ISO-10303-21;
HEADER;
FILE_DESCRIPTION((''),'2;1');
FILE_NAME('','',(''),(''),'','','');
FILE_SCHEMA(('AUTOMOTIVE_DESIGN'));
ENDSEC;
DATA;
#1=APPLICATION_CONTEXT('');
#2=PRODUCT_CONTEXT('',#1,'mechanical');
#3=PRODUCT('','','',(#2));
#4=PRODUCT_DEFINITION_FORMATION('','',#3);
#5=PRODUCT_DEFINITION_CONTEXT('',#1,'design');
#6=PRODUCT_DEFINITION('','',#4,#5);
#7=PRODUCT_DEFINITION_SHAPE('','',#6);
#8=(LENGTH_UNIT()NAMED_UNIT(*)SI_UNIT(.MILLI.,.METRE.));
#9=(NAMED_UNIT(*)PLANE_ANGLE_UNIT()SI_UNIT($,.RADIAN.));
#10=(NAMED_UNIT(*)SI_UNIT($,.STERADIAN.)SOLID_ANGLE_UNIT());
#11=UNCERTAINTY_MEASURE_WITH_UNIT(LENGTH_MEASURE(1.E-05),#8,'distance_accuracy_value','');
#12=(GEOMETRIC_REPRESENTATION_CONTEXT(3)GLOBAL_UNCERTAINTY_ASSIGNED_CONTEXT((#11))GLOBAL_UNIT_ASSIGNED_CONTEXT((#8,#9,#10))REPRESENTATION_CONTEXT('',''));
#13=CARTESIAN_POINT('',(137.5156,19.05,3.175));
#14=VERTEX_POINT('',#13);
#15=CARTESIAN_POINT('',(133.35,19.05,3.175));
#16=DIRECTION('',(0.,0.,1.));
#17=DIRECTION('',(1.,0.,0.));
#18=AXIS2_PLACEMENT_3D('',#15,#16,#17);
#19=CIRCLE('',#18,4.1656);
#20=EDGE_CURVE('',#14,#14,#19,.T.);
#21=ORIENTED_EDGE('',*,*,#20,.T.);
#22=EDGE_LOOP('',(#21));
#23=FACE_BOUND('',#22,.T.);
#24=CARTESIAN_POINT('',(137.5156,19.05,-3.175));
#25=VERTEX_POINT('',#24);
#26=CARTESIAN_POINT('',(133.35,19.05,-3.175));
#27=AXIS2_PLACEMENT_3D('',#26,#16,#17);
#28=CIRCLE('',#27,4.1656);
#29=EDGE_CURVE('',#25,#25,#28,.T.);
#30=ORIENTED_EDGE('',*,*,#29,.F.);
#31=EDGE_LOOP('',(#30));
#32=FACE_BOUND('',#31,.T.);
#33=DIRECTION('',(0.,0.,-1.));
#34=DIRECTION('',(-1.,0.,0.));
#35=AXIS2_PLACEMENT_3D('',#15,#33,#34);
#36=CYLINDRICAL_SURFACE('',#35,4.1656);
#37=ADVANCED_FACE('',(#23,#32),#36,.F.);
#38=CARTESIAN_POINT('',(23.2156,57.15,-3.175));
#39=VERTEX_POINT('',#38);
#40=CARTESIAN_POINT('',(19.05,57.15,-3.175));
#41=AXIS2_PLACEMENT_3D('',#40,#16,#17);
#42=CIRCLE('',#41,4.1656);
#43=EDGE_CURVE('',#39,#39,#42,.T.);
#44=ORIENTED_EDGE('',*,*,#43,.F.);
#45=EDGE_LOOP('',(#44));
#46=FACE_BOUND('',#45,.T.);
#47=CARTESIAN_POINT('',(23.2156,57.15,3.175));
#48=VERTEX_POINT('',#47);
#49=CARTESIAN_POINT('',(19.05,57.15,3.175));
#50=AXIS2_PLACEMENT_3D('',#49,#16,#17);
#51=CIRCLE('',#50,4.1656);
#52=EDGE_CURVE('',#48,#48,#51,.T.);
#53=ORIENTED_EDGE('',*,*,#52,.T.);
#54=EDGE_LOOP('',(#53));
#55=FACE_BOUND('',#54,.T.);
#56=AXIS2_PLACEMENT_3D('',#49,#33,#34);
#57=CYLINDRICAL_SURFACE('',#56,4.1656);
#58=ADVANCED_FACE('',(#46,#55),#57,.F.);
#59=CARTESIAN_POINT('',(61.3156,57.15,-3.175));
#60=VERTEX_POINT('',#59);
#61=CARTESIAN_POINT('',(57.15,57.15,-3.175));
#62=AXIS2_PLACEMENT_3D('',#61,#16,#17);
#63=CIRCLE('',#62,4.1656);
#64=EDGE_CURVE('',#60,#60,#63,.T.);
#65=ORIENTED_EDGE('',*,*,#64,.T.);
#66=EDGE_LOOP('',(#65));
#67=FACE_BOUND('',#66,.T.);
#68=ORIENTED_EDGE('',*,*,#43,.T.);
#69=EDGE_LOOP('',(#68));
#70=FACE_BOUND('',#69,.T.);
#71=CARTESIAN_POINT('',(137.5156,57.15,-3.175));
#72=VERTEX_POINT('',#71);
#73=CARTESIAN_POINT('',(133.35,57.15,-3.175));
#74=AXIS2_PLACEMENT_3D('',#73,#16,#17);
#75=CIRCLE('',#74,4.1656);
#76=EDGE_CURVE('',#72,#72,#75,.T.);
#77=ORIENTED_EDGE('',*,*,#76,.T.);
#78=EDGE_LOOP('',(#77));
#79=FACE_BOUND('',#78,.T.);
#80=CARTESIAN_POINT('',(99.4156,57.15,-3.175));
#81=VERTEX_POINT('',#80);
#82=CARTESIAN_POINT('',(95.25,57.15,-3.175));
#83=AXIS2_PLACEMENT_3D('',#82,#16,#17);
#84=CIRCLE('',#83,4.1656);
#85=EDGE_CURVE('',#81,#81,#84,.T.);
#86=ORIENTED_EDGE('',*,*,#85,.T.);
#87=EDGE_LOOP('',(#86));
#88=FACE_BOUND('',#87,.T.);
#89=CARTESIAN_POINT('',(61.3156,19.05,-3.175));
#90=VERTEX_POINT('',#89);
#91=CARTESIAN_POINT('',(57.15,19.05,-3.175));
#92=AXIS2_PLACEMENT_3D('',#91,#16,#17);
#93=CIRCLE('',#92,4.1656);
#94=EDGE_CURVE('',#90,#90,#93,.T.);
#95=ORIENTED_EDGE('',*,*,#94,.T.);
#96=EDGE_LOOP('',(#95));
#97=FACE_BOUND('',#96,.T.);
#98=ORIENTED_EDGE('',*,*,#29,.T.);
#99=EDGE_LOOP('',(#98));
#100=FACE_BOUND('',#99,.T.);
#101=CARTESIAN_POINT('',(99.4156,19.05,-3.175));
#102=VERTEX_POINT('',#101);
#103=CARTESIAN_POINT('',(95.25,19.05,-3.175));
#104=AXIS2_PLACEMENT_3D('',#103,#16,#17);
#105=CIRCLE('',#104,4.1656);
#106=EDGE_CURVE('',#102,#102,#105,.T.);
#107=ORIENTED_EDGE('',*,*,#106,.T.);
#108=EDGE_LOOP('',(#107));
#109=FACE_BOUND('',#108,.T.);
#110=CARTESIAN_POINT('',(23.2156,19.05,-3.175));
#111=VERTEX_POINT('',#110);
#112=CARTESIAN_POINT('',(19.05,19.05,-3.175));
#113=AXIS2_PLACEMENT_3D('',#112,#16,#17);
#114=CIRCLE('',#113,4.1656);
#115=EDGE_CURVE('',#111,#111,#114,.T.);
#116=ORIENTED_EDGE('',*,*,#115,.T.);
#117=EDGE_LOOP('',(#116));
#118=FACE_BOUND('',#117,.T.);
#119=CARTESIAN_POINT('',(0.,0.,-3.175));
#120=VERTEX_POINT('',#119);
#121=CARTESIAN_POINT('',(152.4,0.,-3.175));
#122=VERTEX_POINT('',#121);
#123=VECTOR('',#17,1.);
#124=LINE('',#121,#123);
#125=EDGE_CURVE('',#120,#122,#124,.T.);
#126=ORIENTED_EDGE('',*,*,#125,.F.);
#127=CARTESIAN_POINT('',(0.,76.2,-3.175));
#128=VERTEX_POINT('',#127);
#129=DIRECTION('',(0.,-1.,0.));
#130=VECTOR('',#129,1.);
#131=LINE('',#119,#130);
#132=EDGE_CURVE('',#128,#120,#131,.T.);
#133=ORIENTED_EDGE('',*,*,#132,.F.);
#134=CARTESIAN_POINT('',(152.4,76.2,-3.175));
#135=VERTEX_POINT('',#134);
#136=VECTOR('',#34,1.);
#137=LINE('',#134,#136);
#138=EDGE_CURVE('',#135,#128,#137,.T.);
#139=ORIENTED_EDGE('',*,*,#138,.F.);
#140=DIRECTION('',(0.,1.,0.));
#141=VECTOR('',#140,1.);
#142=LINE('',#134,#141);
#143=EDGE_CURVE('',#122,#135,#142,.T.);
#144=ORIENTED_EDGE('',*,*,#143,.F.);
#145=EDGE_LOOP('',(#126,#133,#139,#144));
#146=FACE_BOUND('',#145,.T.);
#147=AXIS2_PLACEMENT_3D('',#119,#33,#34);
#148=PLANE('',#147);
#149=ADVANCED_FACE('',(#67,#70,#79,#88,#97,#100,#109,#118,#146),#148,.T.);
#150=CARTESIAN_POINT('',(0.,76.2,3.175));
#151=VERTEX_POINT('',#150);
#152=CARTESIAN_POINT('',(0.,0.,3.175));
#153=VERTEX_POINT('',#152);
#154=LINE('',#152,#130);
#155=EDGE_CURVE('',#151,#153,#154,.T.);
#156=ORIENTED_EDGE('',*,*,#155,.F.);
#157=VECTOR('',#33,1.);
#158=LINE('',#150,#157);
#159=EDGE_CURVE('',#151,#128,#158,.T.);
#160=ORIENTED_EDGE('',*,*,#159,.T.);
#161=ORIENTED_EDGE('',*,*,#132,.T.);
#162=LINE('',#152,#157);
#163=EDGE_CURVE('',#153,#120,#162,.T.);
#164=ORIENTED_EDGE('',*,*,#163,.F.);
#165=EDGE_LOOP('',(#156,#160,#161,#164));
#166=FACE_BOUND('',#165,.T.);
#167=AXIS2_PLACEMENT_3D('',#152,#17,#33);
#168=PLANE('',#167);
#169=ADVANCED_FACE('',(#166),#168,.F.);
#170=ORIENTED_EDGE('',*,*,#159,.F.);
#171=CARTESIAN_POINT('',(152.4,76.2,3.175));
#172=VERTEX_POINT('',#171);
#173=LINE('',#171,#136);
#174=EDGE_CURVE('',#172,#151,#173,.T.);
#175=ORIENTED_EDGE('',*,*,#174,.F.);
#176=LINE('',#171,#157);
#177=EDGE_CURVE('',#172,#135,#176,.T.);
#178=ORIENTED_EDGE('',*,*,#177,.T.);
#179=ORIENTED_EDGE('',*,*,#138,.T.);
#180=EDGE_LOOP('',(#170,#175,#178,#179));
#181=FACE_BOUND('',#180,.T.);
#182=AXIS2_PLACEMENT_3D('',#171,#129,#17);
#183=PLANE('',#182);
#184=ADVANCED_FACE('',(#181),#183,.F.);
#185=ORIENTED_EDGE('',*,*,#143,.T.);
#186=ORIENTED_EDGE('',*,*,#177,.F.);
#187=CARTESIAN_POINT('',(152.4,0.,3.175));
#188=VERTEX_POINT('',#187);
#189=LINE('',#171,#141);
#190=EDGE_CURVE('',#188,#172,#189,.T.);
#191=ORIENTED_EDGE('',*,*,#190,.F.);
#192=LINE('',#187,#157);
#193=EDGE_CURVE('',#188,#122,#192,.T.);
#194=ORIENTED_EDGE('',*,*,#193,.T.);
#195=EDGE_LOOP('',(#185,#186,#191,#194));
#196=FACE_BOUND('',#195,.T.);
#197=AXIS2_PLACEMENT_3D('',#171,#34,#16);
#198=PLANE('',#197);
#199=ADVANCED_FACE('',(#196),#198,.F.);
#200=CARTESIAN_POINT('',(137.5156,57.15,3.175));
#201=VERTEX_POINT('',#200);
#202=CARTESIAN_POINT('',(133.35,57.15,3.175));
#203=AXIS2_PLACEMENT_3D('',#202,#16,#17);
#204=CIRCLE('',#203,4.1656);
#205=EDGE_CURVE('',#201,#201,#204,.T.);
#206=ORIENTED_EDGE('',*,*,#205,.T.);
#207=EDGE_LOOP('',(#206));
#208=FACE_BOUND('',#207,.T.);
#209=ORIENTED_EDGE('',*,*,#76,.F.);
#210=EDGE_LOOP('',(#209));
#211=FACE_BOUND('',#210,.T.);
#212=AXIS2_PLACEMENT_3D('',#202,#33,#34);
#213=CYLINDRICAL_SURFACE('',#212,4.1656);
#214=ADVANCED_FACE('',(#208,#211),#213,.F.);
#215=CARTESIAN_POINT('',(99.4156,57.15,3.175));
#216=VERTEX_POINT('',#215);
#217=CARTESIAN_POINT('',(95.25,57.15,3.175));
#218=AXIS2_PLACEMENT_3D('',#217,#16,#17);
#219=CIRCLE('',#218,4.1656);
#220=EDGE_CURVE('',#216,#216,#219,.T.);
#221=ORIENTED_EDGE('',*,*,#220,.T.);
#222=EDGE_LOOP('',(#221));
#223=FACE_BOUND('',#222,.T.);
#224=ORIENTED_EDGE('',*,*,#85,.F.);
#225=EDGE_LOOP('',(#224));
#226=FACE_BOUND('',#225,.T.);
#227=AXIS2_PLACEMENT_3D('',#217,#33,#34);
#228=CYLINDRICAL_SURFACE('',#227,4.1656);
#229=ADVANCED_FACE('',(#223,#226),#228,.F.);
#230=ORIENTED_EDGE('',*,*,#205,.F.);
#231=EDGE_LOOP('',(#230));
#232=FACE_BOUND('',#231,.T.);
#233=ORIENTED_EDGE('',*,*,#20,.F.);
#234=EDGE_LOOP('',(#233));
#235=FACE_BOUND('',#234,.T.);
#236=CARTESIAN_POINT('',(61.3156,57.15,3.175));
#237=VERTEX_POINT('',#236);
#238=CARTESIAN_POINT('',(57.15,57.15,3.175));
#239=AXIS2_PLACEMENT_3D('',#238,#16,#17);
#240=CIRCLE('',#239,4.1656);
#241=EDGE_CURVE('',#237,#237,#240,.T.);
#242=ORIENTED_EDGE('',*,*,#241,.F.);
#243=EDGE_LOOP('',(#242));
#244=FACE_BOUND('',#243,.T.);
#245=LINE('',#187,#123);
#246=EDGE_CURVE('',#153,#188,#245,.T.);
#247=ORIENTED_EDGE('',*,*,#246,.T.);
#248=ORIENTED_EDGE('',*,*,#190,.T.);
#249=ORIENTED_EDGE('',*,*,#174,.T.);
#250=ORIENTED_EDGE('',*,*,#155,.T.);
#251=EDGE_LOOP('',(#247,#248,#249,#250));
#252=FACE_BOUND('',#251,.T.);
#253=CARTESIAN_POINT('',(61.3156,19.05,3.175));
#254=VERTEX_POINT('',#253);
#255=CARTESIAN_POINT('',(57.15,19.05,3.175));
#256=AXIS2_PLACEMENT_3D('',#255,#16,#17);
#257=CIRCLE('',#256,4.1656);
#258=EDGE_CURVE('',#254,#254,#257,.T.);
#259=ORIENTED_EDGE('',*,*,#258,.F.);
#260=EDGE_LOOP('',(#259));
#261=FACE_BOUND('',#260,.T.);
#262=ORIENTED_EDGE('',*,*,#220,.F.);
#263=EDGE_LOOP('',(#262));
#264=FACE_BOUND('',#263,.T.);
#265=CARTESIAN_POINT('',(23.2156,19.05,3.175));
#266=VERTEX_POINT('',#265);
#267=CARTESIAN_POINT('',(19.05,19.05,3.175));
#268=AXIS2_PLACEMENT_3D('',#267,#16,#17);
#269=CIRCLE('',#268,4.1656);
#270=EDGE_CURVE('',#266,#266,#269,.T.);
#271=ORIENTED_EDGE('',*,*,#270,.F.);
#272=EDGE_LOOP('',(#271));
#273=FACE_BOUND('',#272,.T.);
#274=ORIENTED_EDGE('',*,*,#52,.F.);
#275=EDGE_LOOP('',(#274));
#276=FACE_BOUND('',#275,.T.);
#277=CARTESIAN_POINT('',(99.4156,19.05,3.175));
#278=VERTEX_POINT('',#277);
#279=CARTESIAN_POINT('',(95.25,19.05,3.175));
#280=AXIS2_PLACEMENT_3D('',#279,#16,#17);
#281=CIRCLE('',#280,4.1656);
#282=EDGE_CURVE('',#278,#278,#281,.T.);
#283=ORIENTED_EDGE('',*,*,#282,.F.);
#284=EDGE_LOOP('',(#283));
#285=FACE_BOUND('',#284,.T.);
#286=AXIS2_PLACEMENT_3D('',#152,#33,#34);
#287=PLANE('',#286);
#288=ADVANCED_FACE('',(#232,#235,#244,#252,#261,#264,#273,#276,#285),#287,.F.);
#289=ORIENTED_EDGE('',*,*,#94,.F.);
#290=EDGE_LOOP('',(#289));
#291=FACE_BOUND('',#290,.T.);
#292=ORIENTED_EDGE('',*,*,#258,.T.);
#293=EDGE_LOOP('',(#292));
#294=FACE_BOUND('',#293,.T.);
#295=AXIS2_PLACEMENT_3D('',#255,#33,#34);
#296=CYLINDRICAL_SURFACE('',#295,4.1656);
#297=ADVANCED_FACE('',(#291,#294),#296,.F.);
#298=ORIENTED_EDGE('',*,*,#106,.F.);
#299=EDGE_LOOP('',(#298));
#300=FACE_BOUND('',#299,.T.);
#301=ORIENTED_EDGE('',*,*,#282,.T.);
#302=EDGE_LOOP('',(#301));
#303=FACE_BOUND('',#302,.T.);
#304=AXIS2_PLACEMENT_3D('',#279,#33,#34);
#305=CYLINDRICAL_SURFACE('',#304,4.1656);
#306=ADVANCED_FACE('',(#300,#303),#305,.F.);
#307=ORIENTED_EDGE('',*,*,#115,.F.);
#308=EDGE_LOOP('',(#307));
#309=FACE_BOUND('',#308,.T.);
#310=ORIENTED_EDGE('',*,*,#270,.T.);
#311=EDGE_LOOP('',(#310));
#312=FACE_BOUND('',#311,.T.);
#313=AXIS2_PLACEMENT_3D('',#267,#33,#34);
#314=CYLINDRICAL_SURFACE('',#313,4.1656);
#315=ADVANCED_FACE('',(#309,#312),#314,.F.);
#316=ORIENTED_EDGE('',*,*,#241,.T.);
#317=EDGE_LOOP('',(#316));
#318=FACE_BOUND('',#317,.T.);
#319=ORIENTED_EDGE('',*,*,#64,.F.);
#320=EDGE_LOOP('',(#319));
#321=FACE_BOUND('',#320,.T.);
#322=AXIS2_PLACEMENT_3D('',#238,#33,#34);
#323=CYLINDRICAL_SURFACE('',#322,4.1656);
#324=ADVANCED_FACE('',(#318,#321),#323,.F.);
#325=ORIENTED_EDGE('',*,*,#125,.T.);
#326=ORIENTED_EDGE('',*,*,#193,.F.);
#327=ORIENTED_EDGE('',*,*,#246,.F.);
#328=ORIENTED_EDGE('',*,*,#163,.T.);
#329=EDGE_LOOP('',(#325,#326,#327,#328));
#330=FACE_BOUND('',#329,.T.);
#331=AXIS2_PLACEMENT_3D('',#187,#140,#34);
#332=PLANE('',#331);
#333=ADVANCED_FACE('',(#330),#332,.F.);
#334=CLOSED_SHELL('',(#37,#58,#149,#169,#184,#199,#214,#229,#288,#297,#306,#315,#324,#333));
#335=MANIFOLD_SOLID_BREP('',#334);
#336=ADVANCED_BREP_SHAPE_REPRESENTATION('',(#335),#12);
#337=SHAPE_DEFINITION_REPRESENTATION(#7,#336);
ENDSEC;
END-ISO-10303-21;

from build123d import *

# Parameters (mm, degrees)
SKETCH1_W           = 152.4
SKETCH1_H           = 76.2
SKETCH1_R           = 4.1656
BOSS_EXTRUDE1_DEPTH = 3.175


with BuildPart() as part:
    # Sketch1 → Boss-Extrude1 (new body, symmetric)
    with BuildSketch(Plane.XY):
        with Locations((76.2, 38.1)):
            Rectangle(SKETCH1_W, SKETCH1_H)
        with Locations((19.05, 19.05)):
            Circle(SKETCH1_R, mode=Mode.SUBTRACT)
        with Locations((57.15, 19.05)):
            Circle(SKETCH1_R, mode=Mode.SUBTRACT)
        with Locations((95.25, 19.05)):
            Circle(SKETCH1_R, mode=Mode.SUBTRACT)
        with Locations((133.35, 19.05)):
            Circle(SKETCH1_R, mode=Mode.SUBTRACT)
        with Locations((19.05, 57.15)):
            Circle(SKETCH1_R, mode=Mode.SUBTRACT)
        with Locations((57.15, 57.15)):
            Circle(SKETCH1_R, mode=Mode.SUBTRACT)
        with Locations((95.25, 57.15)):
            Circle(SKETCH1_R, mode=Mode.SUBTRACT)
        with Locations((133.35, 57.15)):
            Circle(SKETCH1_R, mode=Mode.SUBTRACT)
    extrude(amount=BOSS_EXTRUDE1_DEPTH, both=True)


solid = part.part
